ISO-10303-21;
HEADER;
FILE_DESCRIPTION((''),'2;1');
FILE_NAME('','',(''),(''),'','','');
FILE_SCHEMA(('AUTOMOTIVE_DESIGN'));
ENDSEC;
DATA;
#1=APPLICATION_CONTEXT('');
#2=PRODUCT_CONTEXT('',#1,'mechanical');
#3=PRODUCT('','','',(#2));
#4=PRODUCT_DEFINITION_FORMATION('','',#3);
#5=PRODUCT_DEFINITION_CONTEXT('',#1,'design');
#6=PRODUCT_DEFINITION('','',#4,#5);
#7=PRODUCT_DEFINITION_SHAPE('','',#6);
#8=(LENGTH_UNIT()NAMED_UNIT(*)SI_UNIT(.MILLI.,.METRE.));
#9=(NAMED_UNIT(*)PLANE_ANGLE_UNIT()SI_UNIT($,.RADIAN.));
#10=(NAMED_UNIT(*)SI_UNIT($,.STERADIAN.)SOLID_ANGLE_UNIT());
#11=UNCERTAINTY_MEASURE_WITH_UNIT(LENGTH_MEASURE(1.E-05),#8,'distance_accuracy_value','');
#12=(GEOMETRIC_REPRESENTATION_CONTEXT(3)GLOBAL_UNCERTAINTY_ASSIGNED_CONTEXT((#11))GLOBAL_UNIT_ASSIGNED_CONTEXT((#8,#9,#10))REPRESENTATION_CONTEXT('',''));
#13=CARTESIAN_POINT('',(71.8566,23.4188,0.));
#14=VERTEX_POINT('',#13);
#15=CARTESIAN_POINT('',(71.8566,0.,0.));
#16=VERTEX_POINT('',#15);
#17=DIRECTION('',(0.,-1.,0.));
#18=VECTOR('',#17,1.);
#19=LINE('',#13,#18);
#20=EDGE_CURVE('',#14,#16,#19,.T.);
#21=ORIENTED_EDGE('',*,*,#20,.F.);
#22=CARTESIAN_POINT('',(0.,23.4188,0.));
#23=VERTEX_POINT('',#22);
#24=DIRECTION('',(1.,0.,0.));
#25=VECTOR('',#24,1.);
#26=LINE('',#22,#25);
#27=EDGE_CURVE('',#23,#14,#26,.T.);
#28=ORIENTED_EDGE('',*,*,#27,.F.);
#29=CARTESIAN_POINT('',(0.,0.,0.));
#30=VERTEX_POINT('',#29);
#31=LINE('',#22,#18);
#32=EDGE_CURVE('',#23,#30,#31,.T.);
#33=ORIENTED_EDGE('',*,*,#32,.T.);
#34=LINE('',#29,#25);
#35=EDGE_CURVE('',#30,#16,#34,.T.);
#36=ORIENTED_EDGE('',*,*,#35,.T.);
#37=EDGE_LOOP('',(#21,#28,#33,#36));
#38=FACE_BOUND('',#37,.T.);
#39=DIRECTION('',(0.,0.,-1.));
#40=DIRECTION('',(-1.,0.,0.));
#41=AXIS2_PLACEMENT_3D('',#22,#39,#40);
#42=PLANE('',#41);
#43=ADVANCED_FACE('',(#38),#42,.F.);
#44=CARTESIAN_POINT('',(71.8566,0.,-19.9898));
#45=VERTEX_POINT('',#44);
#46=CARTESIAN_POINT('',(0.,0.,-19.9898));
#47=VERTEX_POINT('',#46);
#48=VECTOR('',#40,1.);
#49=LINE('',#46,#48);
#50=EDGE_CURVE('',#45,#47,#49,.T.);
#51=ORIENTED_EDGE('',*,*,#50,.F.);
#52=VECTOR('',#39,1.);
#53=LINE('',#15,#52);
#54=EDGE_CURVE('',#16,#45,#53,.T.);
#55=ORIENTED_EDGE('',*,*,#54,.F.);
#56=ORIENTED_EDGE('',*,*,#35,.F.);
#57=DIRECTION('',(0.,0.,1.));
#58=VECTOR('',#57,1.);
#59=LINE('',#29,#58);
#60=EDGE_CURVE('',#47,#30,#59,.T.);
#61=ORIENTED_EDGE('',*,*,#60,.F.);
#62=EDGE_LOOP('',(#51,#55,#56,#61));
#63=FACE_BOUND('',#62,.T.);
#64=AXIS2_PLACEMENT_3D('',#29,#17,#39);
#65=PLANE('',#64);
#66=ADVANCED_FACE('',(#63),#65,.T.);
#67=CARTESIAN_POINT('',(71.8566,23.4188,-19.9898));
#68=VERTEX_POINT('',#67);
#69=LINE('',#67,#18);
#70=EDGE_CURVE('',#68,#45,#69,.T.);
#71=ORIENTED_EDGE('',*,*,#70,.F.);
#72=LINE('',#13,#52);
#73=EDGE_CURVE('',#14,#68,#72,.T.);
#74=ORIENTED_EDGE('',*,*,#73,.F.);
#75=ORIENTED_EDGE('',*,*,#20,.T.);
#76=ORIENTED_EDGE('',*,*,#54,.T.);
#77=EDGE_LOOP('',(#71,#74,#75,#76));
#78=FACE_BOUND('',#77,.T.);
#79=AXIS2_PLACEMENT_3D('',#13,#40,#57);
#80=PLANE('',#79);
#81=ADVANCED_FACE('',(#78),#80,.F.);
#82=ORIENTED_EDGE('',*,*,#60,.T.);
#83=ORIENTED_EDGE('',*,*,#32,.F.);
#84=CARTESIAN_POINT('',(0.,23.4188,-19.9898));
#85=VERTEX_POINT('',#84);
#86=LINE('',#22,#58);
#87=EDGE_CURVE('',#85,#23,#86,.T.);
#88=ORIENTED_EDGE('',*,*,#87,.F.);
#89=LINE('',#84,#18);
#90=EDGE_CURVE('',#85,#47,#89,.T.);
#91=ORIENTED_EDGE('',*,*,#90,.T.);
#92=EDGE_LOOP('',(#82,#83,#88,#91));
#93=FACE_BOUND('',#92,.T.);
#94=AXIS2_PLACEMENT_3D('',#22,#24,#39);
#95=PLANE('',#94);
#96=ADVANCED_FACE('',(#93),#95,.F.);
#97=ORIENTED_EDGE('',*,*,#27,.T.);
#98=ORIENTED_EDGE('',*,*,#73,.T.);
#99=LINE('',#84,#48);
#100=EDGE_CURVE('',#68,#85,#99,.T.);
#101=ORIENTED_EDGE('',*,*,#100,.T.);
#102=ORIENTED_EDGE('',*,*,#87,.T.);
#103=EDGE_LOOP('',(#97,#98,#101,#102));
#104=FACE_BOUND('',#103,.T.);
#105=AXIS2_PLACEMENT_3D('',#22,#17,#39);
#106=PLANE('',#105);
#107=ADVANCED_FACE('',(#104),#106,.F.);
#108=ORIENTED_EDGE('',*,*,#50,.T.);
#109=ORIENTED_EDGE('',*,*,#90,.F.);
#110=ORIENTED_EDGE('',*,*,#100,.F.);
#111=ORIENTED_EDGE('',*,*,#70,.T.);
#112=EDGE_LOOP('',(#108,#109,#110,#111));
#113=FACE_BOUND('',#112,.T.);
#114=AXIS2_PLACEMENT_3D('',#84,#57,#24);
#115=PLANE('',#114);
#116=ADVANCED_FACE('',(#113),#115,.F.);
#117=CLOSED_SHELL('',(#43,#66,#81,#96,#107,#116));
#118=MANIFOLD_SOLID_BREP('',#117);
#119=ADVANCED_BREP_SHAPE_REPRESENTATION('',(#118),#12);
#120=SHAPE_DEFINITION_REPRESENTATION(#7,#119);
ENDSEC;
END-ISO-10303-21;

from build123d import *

# Parameters (mm, degrees)
BLOCK_PROFILE_W       = 71.8566
BLOCK_PROFILE_H       = 19.9898
EXTRUDE_PROFILE_DEPTH = 23.4188


with BuildPart() as part:
    # Block Profile → Extrude Profile (new body)
    with BuildSketch(Plane(origin=(0, 0, 0), x_dir=(1, 0, 0), z_dir=(0, 1, 0))):
        with Locations((35.9283, 9.9949)):
            Rectangle(BLOCK_PROFILE_W, BLOCK_PROFILE_H)
    extrude(amount=EXTRUDE_PROFILE_DEPTH)


solid = part.part
